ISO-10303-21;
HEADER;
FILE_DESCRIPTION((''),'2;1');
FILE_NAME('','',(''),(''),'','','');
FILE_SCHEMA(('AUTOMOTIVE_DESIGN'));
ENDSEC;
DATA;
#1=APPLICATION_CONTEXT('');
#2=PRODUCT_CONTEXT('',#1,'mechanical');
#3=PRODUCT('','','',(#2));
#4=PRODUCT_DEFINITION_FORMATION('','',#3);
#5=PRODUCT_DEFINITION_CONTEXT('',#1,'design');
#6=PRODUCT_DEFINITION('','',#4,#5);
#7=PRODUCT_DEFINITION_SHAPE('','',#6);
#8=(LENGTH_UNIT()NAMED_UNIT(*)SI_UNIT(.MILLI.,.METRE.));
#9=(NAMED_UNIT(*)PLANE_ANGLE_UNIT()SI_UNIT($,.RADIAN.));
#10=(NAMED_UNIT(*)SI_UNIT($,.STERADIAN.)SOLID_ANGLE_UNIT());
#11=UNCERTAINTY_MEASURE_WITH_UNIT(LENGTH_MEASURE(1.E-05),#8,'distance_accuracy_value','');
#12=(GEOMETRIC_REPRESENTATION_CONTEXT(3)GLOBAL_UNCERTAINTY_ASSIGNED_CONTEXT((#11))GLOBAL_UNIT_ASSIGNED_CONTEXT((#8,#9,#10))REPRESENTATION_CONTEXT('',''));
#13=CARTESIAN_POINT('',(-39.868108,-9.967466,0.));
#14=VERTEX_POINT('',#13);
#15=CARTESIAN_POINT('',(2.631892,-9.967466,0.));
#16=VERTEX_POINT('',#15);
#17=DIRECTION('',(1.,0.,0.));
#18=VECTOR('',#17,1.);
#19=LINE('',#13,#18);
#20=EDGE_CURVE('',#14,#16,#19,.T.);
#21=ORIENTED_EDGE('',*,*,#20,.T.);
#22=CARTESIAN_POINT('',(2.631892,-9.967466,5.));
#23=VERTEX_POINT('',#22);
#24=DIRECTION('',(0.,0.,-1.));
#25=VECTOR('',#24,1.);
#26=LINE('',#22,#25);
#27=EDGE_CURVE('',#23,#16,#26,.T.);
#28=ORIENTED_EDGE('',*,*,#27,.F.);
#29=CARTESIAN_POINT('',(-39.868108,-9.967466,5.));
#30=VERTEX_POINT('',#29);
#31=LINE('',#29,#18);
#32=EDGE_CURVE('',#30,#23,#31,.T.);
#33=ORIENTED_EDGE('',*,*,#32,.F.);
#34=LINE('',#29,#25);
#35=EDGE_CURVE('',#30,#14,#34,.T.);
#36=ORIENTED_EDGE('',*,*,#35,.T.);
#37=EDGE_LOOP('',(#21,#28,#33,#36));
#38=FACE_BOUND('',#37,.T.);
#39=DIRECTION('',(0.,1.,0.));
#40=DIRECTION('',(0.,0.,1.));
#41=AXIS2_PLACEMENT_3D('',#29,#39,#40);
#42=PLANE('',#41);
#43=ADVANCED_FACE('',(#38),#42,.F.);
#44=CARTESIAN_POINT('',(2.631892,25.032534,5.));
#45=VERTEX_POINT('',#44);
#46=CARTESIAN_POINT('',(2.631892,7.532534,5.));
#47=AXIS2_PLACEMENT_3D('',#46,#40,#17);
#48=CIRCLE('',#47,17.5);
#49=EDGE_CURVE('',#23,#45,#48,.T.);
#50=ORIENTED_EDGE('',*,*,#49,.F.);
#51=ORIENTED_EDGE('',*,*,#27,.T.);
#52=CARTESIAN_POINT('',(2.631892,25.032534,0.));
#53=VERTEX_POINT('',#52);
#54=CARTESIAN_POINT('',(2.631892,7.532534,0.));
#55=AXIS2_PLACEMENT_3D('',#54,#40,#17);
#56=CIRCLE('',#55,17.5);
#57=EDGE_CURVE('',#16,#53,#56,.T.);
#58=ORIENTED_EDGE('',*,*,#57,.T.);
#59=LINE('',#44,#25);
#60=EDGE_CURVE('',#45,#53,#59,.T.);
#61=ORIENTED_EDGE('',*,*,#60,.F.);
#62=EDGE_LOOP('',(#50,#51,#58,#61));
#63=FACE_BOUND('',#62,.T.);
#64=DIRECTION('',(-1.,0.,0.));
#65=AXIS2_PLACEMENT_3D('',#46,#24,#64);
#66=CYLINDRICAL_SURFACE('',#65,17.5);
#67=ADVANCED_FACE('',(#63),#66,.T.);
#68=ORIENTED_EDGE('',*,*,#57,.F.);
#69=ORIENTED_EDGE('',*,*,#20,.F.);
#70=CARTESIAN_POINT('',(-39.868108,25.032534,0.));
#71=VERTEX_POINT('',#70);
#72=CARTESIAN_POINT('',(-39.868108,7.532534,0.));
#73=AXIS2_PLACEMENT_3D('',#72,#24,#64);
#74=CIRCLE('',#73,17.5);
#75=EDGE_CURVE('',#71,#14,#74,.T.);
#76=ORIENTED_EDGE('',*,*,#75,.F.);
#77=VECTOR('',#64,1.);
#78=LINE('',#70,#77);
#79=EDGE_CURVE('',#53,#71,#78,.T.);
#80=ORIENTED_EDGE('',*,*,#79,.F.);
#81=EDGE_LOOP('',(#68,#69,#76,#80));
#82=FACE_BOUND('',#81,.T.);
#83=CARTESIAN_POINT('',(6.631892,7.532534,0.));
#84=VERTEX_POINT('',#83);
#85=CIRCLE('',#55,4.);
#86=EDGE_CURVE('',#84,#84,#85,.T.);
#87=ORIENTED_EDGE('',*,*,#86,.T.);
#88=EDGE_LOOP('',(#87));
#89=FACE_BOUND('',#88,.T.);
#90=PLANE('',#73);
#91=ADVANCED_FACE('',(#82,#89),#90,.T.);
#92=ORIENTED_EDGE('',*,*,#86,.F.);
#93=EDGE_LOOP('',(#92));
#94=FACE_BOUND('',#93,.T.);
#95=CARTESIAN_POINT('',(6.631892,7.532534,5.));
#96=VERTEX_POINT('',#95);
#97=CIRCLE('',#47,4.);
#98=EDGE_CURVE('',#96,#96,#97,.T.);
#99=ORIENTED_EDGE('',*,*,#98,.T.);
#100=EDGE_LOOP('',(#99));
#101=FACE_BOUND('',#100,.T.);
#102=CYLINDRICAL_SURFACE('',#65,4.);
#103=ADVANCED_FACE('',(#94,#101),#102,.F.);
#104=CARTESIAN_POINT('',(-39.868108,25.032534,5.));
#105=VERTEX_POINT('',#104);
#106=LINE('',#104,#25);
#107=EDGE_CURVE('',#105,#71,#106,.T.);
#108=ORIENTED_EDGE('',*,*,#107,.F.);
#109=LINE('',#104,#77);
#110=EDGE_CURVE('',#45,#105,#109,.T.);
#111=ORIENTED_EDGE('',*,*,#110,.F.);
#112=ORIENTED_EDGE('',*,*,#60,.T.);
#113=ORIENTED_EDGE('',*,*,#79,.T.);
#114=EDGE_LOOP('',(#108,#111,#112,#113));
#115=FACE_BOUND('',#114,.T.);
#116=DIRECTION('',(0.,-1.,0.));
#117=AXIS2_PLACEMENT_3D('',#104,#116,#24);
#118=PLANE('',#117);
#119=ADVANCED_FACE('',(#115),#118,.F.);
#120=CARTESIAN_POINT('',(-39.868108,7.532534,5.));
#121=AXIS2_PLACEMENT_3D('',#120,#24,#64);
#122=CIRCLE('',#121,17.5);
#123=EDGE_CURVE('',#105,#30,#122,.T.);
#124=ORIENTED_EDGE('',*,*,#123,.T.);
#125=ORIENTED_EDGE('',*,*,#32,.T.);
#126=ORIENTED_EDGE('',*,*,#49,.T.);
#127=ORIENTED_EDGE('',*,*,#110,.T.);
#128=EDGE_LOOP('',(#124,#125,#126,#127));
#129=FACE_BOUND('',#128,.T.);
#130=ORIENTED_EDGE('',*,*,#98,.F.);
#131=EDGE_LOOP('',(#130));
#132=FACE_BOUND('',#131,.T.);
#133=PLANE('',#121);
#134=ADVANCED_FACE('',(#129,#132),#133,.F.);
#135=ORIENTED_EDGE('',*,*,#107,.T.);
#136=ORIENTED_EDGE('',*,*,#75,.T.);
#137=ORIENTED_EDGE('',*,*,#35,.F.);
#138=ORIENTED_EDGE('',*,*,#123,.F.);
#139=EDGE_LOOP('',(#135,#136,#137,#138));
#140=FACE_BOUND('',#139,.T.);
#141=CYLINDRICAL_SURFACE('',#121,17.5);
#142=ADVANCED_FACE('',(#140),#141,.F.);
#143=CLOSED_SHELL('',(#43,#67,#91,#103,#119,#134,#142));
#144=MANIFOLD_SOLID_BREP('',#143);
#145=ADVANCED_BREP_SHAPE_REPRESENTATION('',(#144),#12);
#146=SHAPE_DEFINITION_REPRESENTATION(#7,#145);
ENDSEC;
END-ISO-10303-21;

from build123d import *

# Parameters (mm, degrees)
SKETCH1_R           = 4
BOSS_EXTRUDE1_DEPTH = 5


with BuildPart() as part:
    # Sketch1 → Boss-Extrude1 (new body)
    with BuildSketch(Plane.XY):
        with BuildLine():
            Line((-39.868107623, 25.032533821), (2.631892377, 25.032533821))
            ThreePointArc((2.631892377, 25.032533821), (20.131892377, 7.532533821), (2.631892377, -9.967466179))
            Line((2.631892377, -9.967466179), (-39.868107623, -9.967466179))
            ThreePointArc((-39.868107623, -9.967466179), (-22.368107623, 7.532533821), (-39.868107623, 25.032533821))
        make_face()
        with Locations((2.631892377, 7.532533821)):
            Circle(SKETCH1_R, mode=Mode.SUBTRACT)
    extrude(amount=BOSS_EXTRUDE1_DEPTH)


solid = part.part
